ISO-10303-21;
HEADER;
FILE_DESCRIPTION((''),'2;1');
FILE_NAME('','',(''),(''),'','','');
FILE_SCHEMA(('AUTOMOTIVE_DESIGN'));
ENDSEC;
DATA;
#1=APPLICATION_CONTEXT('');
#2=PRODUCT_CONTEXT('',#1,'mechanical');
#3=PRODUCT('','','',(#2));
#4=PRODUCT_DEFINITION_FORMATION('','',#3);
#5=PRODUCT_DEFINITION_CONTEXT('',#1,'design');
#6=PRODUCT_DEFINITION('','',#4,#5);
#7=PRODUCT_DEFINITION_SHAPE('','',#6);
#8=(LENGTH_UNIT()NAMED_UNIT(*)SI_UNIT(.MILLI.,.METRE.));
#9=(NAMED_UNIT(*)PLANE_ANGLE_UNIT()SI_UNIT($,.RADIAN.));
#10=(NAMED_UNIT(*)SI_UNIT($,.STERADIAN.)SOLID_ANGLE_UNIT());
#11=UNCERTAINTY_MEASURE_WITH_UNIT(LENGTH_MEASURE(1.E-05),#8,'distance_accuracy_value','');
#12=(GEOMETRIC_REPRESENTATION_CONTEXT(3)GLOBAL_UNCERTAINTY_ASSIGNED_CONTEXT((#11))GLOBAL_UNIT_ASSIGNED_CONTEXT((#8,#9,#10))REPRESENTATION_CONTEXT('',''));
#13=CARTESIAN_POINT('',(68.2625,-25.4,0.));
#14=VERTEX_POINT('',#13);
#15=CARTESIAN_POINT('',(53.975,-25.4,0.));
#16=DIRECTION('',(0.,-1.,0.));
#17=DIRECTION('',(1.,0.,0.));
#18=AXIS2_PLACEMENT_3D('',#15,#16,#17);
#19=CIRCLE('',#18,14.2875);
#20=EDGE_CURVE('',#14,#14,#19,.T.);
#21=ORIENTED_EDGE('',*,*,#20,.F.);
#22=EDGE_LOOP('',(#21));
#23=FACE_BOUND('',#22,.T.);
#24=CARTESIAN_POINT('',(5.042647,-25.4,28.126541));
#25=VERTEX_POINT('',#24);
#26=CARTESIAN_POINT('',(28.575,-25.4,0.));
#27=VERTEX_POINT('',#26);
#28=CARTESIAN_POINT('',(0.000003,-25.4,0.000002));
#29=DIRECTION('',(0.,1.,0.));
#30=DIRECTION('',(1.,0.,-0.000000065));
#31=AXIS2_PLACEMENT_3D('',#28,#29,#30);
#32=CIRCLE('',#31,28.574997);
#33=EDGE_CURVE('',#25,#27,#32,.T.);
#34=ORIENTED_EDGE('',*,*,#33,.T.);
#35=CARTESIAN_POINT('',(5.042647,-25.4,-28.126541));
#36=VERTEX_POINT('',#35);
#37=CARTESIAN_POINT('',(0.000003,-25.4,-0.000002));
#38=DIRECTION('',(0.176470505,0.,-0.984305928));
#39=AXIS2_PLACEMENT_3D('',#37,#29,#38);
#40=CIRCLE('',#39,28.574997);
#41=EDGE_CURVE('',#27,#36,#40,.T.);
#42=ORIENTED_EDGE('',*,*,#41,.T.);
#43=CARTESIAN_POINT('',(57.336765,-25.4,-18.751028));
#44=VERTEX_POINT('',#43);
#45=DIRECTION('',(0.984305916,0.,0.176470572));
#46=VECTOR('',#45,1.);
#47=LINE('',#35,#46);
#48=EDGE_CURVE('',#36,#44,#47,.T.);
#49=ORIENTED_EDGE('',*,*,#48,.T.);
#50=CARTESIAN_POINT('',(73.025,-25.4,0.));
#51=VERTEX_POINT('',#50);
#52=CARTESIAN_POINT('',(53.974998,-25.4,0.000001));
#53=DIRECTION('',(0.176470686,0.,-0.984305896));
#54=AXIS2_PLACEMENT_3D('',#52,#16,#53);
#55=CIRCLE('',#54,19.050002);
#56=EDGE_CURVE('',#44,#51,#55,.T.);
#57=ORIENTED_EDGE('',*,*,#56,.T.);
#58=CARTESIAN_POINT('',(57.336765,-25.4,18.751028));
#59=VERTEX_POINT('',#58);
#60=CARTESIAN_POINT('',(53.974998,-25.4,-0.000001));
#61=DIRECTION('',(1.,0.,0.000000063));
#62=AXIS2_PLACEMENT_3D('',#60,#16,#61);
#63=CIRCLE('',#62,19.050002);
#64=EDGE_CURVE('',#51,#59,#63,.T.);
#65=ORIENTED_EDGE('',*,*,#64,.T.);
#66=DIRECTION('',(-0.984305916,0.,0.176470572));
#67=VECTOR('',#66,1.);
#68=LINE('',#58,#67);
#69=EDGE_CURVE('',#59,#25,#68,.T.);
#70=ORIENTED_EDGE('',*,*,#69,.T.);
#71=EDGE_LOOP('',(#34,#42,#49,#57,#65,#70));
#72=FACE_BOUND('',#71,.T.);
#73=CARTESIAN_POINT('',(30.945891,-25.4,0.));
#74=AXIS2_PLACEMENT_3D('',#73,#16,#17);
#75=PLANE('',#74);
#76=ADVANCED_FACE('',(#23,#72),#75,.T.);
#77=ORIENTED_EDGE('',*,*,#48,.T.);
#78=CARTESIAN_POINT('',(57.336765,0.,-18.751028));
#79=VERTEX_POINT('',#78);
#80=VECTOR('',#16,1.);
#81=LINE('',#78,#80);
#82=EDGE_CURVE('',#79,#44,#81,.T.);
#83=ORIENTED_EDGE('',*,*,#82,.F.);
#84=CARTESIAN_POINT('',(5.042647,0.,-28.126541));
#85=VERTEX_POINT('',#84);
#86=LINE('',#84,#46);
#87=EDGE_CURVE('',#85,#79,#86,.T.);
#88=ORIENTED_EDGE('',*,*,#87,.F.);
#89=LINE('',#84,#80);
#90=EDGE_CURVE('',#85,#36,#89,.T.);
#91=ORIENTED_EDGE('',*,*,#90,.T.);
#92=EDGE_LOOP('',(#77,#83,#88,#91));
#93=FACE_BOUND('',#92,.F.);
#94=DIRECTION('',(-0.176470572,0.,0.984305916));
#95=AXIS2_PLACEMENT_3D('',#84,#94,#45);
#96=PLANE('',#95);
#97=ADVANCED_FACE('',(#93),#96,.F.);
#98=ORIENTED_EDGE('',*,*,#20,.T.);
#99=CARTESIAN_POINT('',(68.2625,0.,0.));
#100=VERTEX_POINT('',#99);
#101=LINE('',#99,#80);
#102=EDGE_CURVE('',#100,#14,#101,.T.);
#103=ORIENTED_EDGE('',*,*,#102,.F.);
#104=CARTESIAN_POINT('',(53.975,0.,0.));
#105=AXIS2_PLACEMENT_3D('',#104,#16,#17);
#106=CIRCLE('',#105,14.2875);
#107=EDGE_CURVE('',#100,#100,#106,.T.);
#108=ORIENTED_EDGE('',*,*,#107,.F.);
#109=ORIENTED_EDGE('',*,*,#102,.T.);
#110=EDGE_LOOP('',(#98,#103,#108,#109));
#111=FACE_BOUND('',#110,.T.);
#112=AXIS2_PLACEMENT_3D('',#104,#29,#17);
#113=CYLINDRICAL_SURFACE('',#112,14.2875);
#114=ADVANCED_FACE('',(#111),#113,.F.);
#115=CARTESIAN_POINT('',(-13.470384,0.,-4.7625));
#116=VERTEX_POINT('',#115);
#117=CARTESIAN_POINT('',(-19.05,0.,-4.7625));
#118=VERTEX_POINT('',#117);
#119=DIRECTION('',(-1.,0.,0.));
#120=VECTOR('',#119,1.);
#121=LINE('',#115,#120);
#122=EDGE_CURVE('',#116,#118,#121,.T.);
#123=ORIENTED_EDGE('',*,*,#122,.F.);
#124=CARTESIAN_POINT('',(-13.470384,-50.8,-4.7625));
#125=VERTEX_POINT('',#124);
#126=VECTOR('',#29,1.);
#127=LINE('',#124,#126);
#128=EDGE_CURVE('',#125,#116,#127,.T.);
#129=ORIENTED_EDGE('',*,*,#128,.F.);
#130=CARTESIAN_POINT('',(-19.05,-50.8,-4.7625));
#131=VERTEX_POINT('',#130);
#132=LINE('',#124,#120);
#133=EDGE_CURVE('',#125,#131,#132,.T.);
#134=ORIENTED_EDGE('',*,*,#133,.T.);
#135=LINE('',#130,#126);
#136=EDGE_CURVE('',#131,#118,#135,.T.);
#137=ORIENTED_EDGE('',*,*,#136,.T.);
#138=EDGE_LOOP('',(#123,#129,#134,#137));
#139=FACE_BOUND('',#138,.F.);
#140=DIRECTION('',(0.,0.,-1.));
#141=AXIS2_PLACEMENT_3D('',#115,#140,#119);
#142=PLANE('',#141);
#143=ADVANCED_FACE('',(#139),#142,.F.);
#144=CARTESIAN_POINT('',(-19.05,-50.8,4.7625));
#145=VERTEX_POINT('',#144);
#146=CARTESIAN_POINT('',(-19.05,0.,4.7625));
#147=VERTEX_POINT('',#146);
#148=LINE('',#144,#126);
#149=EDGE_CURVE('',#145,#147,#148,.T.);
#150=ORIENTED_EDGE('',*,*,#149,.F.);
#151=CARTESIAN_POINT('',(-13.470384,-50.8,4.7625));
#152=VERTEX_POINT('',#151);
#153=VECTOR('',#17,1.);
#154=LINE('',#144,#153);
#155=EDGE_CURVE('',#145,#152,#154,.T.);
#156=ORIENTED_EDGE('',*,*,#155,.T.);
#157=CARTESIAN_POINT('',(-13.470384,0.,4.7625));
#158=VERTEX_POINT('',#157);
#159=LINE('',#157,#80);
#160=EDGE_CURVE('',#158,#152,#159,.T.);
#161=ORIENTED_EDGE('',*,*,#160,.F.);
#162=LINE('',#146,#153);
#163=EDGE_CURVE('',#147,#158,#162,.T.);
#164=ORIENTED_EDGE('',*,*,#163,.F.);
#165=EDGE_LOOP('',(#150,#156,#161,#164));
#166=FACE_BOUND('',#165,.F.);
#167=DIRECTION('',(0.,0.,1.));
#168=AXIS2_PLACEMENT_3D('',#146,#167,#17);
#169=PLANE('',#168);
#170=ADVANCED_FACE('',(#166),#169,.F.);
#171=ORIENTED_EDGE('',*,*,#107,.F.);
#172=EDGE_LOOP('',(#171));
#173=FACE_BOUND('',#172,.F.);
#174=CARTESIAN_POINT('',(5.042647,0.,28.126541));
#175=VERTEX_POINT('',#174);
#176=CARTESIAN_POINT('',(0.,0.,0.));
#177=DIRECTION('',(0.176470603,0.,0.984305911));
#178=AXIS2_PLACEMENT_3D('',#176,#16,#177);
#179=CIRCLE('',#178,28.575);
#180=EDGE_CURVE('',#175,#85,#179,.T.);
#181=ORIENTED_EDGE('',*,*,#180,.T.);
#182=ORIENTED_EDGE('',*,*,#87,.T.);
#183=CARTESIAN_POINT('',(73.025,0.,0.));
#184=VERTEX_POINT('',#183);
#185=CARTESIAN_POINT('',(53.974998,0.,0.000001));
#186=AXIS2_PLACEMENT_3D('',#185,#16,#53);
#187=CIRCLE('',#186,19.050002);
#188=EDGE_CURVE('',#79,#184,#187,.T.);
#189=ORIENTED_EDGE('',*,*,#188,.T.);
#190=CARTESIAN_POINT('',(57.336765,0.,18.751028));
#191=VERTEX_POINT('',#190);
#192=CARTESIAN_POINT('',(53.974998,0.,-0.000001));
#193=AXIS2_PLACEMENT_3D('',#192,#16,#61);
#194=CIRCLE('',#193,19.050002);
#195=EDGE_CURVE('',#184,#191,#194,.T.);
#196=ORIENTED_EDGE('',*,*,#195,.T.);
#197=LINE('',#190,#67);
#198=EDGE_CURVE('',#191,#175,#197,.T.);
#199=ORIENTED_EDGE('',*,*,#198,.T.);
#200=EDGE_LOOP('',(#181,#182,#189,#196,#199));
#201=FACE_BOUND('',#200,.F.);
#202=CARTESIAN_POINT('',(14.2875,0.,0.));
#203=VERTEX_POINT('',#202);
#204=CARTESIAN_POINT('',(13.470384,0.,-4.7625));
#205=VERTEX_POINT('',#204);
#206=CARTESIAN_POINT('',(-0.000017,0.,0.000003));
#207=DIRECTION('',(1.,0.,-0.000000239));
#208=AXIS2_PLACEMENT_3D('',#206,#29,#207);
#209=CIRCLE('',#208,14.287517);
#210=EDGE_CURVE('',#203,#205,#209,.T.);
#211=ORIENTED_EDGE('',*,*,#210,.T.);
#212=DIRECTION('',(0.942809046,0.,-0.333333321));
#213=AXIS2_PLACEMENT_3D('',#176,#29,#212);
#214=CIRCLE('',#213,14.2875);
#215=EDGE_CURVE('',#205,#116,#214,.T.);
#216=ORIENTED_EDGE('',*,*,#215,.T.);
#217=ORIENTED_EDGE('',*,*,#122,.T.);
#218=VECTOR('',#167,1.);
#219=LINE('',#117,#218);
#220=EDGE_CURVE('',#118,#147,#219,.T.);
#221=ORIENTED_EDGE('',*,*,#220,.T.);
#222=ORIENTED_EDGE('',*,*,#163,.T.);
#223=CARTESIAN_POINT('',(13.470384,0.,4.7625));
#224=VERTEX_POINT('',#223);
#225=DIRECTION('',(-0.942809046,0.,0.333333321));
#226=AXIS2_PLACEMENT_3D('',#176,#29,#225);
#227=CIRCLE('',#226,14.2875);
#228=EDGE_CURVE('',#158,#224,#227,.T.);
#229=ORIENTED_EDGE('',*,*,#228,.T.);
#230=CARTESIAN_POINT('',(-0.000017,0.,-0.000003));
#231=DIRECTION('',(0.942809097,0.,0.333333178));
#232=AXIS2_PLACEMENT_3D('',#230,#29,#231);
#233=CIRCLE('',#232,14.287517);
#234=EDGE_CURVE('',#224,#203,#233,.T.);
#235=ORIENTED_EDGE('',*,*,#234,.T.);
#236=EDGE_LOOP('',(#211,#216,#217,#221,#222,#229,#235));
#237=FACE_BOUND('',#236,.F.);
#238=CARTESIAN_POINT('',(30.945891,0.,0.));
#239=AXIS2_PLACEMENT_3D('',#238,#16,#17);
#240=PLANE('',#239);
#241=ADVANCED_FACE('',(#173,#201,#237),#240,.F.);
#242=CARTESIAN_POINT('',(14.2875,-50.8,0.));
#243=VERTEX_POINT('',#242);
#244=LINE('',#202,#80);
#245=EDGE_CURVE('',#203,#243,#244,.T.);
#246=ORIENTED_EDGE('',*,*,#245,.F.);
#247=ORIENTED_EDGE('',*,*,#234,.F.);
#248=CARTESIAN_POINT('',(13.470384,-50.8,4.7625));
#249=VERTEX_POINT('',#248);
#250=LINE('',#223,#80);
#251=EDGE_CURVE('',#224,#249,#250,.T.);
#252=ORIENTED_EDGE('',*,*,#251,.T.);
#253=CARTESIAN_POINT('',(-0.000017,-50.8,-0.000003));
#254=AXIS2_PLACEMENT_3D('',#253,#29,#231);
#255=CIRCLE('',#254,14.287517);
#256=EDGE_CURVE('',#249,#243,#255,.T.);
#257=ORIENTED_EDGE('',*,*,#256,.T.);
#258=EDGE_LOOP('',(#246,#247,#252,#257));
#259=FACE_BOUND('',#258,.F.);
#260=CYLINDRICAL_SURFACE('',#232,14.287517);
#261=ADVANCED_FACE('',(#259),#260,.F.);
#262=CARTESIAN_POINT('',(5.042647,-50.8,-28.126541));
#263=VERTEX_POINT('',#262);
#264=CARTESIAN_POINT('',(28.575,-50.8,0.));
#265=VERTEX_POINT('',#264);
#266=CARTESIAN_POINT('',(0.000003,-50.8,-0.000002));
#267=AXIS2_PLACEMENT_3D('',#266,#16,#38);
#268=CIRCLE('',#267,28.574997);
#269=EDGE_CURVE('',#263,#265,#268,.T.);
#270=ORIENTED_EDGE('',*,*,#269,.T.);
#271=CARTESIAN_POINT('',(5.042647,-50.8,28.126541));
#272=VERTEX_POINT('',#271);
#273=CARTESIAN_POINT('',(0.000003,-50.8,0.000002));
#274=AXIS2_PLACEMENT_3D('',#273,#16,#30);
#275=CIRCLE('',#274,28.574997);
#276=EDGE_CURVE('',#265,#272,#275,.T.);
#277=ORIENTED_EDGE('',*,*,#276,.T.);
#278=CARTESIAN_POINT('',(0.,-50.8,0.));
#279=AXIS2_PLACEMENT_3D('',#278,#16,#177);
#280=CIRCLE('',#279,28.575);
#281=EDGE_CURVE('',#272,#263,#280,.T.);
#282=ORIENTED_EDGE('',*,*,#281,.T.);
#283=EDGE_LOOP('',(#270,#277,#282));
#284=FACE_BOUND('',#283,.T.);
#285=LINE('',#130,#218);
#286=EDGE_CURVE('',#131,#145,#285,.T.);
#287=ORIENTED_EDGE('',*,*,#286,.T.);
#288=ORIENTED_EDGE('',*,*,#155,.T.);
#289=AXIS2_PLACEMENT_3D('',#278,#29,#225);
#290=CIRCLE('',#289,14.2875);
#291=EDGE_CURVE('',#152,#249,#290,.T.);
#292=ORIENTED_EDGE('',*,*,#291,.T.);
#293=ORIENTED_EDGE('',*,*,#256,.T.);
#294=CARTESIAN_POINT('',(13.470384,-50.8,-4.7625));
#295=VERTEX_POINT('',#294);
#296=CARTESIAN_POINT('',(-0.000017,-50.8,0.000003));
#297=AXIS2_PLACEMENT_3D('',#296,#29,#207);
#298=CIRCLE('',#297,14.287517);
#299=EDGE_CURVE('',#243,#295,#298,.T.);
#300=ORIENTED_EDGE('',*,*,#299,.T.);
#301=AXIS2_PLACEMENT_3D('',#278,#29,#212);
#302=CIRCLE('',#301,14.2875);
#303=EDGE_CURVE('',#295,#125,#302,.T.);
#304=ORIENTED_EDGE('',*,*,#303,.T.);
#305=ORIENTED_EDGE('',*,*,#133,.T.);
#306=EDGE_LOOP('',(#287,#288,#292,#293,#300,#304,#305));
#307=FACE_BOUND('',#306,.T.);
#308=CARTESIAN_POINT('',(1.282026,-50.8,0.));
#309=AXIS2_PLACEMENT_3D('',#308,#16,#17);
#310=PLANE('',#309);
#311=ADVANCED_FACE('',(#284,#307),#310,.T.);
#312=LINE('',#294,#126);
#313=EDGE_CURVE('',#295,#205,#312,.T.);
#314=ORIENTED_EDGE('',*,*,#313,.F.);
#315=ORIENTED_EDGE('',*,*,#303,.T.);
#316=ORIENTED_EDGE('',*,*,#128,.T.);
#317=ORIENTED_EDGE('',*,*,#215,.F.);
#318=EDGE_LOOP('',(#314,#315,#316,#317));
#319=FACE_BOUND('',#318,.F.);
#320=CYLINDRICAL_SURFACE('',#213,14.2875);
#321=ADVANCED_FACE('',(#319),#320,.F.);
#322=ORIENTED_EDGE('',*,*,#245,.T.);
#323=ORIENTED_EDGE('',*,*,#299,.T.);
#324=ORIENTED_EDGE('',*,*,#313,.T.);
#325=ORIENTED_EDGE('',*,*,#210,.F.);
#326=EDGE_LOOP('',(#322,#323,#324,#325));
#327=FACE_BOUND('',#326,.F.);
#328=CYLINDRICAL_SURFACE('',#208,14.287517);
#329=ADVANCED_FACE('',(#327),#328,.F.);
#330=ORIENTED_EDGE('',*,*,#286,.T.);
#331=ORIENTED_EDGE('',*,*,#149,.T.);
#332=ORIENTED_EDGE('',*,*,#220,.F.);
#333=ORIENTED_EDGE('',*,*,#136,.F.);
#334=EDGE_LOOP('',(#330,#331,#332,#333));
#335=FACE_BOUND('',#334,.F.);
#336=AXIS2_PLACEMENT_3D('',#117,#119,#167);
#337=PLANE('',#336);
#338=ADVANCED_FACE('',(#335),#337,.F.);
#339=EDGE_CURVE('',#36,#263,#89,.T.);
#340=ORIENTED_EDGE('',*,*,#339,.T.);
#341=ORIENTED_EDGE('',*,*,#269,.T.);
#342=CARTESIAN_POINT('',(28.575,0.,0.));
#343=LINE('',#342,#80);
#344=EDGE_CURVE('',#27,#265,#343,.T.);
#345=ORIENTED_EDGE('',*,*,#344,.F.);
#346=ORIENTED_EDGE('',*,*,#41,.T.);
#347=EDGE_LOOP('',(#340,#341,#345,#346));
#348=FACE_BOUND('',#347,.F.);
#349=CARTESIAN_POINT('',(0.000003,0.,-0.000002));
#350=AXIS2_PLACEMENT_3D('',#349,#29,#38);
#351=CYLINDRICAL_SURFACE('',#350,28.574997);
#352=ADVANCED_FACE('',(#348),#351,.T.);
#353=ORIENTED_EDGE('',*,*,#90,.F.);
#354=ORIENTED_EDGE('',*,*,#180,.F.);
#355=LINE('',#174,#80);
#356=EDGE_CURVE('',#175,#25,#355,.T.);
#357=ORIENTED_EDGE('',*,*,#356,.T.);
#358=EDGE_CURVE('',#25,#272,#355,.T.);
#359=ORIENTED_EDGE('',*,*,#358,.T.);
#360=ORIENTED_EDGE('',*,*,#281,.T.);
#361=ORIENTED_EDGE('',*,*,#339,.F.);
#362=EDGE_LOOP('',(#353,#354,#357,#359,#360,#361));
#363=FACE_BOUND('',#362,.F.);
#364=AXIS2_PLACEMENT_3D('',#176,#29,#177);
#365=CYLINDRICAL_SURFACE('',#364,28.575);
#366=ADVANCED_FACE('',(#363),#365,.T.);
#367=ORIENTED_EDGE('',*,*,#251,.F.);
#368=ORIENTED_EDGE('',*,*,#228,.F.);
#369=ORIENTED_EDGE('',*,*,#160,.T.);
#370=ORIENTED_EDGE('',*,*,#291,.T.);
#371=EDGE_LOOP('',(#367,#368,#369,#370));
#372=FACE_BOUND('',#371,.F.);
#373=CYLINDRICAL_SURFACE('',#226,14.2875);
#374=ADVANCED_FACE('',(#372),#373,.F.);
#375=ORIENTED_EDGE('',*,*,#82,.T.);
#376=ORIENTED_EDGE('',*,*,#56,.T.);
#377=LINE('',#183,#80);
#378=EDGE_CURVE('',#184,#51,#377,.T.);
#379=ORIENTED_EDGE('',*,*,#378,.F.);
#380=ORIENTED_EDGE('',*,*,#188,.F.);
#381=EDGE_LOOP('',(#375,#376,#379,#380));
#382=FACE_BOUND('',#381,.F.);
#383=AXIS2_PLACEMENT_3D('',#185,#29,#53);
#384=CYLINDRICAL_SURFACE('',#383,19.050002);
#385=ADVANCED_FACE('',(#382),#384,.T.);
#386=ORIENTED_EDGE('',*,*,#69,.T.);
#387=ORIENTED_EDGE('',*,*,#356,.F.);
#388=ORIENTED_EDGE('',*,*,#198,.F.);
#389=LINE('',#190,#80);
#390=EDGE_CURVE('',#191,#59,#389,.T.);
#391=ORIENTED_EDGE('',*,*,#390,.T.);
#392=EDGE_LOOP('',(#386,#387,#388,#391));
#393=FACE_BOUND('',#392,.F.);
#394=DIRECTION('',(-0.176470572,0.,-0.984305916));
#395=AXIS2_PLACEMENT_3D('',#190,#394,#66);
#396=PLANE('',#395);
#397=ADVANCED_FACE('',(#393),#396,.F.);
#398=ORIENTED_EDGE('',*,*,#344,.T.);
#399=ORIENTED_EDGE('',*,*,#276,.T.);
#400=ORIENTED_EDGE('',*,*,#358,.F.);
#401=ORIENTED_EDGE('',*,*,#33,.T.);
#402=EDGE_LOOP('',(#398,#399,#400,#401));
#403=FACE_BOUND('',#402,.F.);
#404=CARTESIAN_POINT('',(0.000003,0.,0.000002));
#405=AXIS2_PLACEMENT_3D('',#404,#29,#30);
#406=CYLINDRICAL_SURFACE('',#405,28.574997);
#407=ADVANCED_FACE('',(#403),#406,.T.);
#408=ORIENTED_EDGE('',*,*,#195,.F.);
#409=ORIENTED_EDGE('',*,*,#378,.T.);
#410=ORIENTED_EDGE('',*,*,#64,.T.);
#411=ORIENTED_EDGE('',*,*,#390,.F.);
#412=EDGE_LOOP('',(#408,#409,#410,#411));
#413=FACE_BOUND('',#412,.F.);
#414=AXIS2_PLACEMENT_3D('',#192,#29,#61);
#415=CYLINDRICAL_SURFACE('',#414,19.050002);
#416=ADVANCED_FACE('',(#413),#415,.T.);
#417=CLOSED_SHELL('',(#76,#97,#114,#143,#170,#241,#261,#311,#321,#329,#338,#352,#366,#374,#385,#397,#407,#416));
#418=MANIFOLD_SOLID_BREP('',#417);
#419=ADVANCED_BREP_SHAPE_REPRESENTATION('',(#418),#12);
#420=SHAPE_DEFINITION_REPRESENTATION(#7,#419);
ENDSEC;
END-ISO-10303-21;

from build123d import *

# Parameters (mm, degrees)
F0_R     = 14.2875
F1_DEPTH = 25.4
F2_DEPTH = 50.8


with BuildPart() as f1:
    # F0 (on Front) → F1 (new body)
    with BuildSketch(Plane.XZ):
        with BuildLine():
            ThreePointArc((5.042647, 28.126541), (21.916025, 18.336262), (28.575, 0))
            ThreePointArc((28.575, 0), (21.916025, -18.336262), (5.042647, -28.126541))
            Line((5.042647, -28.126541), (57.336765, -18.751028))
            ThreePointArc((57.336765, -18.751028), (34.925, 0), (57.336765, 18.751028))
            Line((57.336765, 18.751028), (5.042647, 28.126541))
        make_face()
        with BuildLine():
            ThreePointArc((73.025, 0), (68.585683, 12.224174), (57.336765, 18.751028))
            ThreePointArc((57.336765, 18.751028), (34.925, 0), (57.336765, -18.751028))
            ThreePointArc((57.336765, -18.751028), (68.585683, -12.224174), (73.025, 0))
        make_face()
        with Locations((53.975, 0)):
            Circle(F0_R, mode=Mode.SUBTRACT)
        with BuildLine():
            ThreePointArc((5.042647, -28.126541), (21.916025, -18.336262), (28.575, 0))
            ThreePointArc((28.575, 0), (21.916025, 18.336262), (5.042647, 28.126541))
            ThreePointArc((5.042647, 28.126541), (-28.575, 0), (5.042647, -28.126541))
        make_face()
        with BuildLine():
            ThreePointArc((-13.470384, 4.7625), (0, 14.2875), (13.470384, 4.7625))
            Line((13.470384, 4.7625), (19.05, 4.7625))
            Line((19.05, 4.7625), (19.05, -4.7625))
            Line((19.05, -4.7625), (13.470384, -4.7625))
            ThreePointArc((13.470384, -4.7625), (0, -14.2875), (-13.470384, -4.7625))
            Line((-13.470384, -4.7625), (-19.05, -4.7625))
            Line((-19.05, -4.7625), (-19.05, 4.7625))
            Line((-19.05, 4.7625), (-13.470384, 4.7625))
        make_face(mode=Mode.SUBTRACT)
        with BuildLine():
            ThreePointArc((13.470384, 4.7625), (14.081739, 2.416045), (14.2875, 0))
            ThreePointArc((14.2875, 0), (14.081739, -2.416045), (13.470384, -4.7625))
            Line((13.470384, -4.7625), (19.05, -4.7625))
            Line((19.05, -4.7625), (19.05, 4.7625))
            Line((19.05, 4.7625), (13.470384, 4.7625))
        make_face()
    extrude(amount=F1_DEPTH)

    # F0 (on Front) → F2 (join)
    with BuildSketch(Plane.XZ):
        with BuildLine():
            ThreePointArc((5.042647, -28.126541), (21.916025, -18.336262), (28.575, 0))
            ThreePointArc((28.575, 0), (21.916025, 18.336262), (5.042647, 28.126541))
            ThreePointArc((5.042647, 28.126541), (-28.575, 0), (5.042647, -28.126541))
        make_face()
        with BuildLine():
            ThreePointArc((-13.470384, 4.7625), (0, 14.2875), (13.470384, 4.7625))
            Line((13.470384, 4.7625), (19.05, 4.7625))
            Line((19.05, 4.7625), (19.05, -4.7625))
            Line((19.05, -4.7625), (13.470384, -4.7625))
            ThreePointArc((13.470384, -4.7625), (0, -14.2875), (-13.470384, -4.7625))
            Line((-13.470384, -4.7625), (-19.05, -4.7625))
            Line((-19.05, -4.7625), (-19.05, 4.7625))
            Line((-19.05, 4.7625), (-13.470384, 4.7625))
        make_face(mode=Mode.SUBTRACT)
        with BuildLine():
            ThreePointArc((13.470384, 4.7625), (14.081739, 2.416045), (14.2875, 0))
            ThreePointArc((14.2875, 0), (14.081739, -2.416045), (13.470384, -4.7625))
            Line((13.470384, -4.7625), (19.05, -4.7625))
            Line((19.05, -4.7625), (19.05, 4.7625))
            Line((19.05, 4.7625), (13.470384, 4.7625))
        make_face()
    extrude(amount=F2_DEPTH)


solid = f1.part
